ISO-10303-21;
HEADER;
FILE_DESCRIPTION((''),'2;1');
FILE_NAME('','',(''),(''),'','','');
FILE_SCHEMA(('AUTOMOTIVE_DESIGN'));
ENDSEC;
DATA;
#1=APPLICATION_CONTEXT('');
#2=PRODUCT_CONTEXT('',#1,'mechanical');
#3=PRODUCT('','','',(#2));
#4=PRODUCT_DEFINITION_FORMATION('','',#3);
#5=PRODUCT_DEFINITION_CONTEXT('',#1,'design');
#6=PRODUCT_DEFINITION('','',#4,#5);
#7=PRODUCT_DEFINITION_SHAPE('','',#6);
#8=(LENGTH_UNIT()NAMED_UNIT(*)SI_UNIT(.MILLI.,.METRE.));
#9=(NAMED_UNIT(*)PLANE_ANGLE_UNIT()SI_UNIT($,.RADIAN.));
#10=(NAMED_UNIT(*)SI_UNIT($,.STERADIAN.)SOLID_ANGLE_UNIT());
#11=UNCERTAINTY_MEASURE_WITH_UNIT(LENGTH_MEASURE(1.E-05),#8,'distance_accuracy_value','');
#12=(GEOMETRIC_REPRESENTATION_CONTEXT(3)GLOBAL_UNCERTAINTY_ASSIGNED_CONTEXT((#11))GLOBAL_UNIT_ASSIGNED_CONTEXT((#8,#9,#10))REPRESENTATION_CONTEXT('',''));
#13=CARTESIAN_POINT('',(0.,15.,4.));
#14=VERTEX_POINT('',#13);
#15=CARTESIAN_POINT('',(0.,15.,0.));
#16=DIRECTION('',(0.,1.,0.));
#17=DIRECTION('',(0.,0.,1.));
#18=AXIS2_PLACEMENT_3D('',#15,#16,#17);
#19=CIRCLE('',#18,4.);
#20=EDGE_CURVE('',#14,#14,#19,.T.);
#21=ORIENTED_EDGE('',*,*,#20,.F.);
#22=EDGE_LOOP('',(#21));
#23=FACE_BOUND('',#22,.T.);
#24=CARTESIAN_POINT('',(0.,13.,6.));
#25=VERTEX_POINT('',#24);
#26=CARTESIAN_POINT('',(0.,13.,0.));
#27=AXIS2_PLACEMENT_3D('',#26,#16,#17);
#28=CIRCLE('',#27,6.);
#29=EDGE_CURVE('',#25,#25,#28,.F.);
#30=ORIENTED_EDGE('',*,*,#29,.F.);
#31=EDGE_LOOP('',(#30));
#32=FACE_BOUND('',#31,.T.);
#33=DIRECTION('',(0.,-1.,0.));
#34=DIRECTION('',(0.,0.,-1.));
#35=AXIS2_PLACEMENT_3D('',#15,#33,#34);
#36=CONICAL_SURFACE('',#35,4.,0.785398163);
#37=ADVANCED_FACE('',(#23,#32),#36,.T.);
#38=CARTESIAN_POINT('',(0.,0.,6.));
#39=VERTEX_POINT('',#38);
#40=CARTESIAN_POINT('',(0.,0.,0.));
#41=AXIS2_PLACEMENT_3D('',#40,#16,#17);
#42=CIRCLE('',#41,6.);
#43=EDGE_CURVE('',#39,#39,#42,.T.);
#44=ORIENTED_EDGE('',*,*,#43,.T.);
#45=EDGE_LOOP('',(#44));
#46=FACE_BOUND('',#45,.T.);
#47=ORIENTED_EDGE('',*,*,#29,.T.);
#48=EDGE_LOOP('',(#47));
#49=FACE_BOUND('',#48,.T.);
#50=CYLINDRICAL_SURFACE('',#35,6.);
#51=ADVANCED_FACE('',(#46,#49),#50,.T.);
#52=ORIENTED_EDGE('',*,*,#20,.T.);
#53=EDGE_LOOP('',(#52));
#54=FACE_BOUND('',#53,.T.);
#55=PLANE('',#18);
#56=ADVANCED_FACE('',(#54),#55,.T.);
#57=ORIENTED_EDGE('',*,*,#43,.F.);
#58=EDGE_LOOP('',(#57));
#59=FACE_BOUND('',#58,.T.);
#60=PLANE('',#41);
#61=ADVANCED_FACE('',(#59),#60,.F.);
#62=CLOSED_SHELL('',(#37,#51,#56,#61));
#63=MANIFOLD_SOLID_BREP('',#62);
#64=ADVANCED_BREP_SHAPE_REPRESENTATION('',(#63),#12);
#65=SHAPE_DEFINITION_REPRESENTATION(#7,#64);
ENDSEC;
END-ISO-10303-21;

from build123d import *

# Parameters (mm, degrees)
SKETCH1_R           = 6
BOSS_EXTRUDE1_DEPTH = 15
CHAMFER1_SIZE       = 2


with BuildPart() as part:
    # Sketch1 → Boss-Extrude1 (new body)
    with BuildSketch(Plane(origin=(0, 0, 0), x_dir=(1, 0, 0), z_dir=(0, 1, 0))):
        with Locations(Location((0, 0, 0), (0, 0, 270))):  # turned: the seam where the file's is
            Circle(SKETCH1_R)
    extrude(amount=BOSS_EXTRUDE1_DEPTH)

    # Chamfer1
    chamfer1_edges = [part.edges().sort_by_distance(p)[0] for p in [
        (0, 15, -6),
    ]]
    chamfer(chamfer1_edges, length=CHAMFER1_SIZE)


solid = part.part
